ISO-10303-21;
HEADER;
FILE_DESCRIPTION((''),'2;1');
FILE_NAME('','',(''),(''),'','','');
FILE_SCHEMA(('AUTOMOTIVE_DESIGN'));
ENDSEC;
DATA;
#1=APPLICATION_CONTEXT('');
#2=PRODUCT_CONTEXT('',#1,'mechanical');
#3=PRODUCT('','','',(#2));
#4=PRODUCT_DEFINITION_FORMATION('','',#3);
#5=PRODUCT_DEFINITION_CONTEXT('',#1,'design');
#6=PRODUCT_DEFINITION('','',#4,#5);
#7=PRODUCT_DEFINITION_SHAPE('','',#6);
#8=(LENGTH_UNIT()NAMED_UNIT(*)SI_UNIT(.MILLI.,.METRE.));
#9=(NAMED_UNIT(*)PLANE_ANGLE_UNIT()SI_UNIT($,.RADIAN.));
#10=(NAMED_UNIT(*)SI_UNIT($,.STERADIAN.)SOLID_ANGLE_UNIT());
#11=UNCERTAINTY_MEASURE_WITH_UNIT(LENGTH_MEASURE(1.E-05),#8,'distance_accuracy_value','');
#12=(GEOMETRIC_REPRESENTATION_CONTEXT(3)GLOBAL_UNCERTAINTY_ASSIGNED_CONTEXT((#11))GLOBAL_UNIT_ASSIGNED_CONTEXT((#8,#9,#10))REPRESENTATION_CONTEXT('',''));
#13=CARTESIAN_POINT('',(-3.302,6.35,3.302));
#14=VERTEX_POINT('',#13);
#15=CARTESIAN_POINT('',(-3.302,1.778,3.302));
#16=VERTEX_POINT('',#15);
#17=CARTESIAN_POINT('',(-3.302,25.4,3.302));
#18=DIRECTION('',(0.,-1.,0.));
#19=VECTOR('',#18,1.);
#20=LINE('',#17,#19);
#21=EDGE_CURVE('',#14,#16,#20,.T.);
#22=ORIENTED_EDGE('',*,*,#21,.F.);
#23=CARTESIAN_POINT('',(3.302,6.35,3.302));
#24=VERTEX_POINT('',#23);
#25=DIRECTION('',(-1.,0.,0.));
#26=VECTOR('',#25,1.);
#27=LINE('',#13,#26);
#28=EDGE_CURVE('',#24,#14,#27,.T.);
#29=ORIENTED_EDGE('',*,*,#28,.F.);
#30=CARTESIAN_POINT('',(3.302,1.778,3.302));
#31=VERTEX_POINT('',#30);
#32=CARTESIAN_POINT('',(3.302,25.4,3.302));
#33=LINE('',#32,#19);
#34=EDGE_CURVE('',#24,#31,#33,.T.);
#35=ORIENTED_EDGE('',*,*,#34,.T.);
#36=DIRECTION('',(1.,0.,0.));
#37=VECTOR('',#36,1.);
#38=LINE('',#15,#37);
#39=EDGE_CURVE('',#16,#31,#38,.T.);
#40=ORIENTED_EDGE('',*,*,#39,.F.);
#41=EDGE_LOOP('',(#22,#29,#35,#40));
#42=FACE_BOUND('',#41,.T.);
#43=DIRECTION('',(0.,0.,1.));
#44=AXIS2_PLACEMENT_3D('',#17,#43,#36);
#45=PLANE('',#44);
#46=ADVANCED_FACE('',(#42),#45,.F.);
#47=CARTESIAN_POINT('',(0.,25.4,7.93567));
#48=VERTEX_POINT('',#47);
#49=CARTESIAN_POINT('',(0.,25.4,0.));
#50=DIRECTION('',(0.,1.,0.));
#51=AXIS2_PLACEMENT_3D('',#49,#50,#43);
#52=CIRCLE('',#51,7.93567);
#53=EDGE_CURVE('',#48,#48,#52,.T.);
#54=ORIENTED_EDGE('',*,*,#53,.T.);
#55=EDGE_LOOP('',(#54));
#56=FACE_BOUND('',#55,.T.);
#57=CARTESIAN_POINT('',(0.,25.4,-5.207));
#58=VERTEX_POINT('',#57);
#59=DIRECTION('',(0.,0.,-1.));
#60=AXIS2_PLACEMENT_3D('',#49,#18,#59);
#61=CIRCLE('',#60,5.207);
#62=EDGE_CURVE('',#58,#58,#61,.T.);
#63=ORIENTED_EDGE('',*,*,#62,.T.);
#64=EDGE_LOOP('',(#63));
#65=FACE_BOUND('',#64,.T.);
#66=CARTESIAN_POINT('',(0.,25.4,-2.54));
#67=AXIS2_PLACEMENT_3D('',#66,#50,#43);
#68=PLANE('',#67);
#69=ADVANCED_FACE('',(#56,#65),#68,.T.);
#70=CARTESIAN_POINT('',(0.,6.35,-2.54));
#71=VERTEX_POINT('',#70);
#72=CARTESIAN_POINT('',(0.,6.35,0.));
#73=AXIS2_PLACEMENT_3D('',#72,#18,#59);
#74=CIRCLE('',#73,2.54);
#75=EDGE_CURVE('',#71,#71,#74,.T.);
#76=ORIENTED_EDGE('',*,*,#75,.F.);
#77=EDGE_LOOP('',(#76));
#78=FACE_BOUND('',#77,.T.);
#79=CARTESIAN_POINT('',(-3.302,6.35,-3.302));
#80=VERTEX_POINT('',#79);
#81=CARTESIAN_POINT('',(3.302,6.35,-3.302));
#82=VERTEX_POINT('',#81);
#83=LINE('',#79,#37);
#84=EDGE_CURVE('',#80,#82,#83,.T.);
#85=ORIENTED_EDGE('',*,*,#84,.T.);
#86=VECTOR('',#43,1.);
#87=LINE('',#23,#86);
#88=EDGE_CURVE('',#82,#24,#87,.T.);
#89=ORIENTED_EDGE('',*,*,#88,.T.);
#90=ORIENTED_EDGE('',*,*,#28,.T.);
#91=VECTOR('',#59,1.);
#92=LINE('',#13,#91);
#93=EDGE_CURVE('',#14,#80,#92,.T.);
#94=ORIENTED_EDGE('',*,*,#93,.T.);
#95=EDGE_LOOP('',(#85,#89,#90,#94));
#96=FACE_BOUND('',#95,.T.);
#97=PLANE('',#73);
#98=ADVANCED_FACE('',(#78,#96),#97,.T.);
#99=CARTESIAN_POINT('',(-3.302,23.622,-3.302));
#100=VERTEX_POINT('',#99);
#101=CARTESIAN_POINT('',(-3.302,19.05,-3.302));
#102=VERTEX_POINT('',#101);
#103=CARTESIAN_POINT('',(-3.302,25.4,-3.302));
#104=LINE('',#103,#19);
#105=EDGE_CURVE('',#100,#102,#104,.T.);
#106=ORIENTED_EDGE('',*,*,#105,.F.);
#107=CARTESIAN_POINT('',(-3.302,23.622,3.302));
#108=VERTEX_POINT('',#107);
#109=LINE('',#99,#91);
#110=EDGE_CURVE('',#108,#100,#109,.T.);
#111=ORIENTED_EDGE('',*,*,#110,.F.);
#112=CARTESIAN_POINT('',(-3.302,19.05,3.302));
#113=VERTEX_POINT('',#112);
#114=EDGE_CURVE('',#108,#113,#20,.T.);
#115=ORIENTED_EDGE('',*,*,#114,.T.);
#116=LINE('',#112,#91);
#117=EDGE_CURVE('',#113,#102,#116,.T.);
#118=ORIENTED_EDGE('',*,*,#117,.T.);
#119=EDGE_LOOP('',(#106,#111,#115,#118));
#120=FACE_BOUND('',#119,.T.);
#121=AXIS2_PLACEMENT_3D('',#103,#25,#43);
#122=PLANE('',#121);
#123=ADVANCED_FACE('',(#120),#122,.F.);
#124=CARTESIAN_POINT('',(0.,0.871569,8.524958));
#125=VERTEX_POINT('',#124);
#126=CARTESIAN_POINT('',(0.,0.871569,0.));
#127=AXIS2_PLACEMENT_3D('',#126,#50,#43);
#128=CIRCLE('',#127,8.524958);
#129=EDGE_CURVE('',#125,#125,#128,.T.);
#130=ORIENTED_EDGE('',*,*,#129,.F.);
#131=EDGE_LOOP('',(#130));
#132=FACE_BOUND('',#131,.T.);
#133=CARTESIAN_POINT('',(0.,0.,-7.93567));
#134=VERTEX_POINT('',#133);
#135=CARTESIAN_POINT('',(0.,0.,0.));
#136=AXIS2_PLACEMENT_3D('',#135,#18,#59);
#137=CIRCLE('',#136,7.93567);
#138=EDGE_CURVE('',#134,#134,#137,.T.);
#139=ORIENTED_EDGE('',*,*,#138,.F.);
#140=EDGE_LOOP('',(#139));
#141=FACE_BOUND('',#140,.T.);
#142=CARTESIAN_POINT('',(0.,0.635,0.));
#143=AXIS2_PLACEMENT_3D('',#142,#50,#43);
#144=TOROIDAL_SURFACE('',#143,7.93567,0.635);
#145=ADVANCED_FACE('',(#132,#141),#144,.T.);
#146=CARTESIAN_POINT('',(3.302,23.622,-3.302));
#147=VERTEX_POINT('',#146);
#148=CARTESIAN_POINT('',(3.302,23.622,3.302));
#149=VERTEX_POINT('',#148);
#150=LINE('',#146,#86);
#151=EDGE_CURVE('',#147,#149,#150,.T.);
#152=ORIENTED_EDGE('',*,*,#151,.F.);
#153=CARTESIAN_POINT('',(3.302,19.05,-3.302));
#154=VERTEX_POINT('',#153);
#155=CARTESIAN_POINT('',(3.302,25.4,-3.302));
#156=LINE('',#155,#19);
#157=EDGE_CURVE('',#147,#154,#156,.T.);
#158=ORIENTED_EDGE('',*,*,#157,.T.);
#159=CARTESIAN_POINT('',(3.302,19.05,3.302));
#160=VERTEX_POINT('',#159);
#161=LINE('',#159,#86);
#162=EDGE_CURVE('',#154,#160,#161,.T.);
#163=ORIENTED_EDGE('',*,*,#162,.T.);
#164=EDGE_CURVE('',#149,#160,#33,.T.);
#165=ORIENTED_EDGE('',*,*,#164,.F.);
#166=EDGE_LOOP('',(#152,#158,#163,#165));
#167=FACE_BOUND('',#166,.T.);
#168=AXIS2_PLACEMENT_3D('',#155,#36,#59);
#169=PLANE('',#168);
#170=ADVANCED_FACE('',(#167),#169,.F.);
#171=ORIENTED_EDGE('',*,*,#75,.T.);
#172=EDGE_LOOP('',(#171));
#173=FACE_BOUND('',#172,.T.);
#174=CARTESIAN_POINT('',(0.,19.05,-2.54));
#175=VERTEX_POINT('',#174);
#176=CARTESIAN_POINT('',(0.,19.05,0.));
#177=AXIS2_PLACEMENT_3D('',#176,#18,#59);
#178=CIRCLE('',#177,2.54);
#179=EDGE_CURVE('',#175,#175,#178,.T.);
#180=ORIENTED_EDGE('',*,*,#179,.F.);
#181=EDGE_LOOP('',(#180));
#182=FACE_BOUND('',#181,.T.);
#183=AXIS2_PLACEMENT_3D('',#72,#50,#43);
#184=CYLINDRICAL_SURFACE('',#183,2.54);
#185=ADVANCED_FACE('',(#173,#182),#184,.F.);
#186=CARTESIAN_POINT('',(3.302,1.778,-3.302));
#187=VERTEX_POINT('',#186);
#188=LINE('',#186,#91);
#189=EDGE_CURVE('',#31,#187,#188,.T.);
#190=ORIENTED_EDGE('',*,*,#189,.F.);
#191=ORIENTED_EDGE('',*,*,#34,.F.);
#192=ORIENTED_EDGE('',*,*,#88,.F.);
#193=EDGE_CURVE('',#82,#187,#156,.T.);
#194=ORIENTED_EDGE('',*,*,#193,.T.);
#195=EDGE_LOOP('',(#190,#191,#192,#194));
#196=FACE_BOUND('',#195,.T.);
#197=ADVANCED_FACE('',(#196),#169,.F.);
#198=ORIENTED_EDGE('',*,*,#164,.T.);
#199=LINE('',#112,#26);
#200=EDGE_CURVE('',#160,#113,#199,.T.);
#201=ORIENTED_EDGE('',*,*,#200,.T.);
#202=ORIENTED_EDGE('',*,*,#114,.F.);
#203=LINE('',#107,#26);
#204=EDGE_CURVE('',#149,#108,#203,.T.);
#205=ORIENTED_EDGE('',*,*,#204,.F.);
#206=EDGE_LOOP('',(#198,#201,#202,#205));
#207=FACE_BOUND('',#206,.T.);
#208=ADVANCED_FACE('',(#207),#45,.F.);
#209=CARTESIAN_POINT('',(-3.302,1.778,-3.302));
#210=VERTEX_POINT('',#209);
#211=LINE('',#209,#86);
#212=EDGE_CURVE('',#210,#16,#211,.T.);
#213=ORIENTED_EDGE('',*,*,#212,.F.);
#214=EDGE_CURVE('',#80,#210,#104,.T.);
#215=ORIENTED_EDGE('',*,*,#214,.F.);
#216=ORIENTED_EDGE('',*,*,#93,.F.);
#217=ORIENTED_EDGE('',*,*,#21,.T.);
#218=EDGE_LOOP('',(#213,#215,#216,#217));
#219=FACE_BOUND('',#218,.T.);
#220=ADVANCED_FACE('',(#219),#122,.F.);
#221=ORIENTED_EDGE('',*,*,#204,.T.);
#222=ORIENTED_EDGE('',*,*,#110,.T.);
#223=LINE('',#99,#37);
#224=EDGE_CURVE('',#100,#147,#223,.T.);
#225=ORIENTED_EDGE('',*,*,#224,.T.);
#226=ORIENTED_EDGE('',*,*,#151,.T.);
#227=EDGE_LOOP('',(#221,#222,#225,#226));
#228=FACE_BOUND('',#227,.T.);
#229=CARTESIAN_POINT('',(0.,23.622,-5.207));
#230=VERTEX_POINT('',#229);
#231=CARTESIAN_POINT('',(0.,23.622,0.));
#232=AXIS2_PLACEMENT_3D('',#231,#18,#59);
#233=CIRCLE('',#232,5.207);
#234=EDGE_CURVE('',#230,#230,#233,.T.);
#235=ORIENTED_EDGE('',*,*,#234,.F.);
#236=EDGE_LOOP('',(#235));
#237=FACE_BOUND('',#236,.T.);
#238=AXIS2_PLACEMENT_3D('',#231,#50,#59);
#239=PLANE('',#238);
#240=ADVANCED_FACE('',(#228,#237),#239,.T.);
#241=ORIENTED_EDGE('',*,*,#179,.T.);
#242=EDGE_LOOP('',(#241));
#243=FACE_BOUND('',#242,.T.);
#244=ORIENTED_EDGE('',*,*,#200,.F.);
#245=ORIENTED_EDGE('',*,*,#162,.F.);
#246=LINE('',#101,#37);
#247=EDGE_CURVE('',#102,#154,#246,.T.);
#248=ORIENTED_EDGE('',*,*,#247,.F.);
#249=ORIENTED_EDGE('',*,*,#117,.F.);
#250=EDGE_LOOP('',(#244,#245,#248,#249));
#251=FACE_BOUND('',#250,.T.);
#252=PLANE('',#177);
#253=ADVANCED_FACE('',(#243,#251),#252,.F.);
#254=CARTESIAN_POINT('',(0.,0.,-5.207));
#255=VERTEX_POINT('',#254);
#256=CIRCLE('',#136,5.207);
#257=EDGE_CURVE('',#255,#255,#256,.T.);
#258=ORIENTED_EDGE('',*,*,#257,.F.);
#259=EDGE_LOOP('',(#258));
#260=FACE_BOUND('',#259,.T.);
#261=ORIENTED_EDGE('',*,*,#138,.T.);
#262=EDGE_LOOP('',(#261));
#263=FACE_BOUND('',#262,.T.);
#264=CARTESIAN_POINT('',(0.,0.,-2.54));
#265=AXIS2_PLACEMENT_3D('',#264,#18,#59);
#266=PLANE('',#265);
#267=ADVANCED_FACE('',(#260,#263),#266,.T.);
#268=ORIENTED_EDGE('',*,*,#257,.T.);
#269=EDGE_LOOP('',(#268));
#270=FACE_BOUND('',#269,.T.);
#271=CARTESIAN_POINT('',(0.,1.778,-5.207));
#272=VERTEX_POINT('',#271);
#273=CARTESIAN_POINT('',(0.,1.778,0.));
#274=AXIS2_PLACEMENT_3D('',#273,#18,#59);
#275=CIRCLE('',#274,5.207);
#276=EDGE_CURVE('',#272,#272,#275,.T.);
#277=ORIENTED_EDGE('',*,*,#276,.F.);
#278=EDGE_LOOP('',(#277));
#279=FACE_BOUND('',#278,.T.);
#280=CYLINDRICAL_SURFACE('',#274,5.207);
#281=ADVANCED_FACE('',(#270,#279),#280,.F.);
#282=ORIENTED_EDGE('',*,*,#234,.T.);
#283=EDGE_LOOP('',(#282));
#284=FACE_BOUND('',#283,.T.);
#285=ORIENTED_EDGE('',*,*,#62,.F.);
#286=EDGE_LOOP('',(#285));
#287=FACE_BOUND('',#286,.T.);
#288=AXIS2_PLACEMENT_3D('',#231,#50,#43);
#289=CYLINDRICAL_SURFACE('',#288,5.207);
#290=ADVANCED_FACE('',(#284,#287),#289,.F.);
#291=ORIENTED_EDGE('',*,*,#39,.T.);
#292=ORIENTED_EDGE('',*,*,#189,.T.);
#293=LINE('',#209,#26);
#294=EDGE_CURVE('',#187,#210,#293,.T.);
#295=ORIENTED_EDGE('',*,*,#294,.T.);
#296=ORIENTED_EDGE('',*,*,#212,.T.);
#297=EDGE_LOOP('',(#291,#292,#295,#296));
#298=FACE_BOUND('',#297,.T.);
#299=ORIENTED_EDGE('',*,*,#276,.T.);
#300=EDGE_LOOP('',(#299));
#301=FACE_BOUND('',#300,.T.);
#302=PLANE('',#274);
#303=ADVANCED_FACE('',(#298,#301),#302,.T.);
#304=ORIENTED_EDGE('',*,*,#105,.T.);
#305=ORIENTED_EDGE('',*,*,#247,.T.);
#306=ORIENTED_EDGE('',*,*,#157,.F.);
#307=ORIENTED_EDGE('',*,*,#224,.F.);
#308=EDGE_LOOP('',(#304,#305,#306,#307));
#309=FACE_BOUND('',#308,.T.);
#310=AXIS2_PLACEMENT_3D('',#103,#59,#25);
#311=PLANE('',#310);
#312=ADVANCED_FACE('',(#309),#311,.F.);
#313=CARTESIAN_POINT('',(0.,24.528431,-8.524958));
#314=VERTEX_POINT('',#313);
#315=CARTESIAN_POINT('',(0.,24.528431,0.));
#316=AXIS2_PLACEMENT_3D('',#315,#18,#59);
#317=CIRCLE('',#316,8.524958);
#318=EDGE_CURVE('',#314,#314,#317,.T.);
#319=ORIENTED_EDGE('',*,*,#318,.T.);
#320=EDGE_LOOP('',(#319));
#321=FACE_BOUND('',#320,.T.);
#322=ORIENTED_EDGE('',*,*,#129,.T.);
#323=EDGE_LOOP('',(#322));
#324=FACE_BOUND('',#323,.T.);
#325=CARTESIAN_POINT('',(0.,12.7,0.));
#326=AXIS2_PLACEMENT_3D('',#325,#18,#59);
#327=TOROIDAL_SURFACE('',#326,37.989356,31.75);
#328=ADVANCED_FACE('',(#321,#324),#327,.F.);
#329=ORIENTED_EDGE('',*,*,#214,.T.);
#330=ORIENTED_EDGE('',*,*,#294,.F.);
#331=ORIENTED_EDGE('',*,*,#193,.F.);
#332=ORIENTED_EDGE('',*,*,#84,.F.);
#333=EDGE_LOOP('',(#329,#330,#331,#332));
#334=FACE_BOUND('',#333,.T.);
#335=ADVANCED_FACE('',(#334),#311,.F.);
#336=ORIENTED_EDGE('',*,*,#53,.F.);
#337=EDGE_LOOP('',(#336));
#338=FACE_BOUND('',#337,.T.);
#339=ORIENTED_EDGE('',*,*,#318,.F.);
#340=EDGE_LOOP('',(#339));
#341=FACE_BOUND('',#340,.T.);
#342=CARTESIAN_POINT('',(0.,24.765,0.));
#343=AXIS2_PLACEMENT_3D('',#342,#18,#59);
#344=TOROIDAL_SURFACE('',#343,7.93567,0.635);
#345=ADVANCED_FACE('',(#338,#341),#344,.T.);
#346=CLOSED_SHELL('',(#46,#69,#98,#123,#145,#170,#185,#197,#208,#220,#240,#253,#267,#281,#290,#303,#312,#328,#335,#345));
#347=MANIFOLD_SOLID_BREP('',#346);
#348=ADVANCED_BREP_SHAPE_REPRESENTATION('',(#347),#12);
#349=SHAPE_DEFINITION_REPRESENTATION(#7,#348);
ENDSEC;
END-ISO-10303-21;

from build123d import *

# Parameters (mm, degrees)
SKETCH2_W           = 6.604
SKETCH2_H           = 6.604
CUT_EXTRUDE1_DEPTH  = 29.341210278
SKETCH3_R           = 5.207
CUT_EXTRUDE2_DEPTH  = 1.778
FILLET1_R           = 0.635
SKETCH4_W           = 6.604
SKETCH4_H           = 6.604
SKETCH4_R           = 2.54
BOSS_EXTRUDE1_DEPTH = 6.35


with BuildPart() as part:
    # Sketch1 → Revolve1 (revolve)
    with BuildSketch(Plane(origin=(0, 0, 0), x_dir=(0, 0, -1), z_dir=(1, 0, 0))):
        with BuildLine():
            Line((2.54, 0), (2.54, 25.4))
            Line((2.54, 25.4), (8.89, 25.4))
            ThreePointArc((8.89, 25.4), (6.239355663, 12.7), (8.89, 0))
            Line((8.89, 0), (2.54, 0))
        make_face()
    revolve(axis=Axis((0, 0, 0), (0, 1, 0)))

    # Sketch2 → Cut-Extrude1 (cut, through all)
    with BuildSketch(Plane.XZ):
        Rectangle(SKETCH2_W, SKETCH2_H)
    extrude(amount=-CUT_EXTRUDE1_DEPTH, mode=Mode.SUBTRACT)

    # Sketch3 → Cut-Extrude2 (cut)
    with BuildSketch(Plane.XZ):
        with Locations(Location((0, 0, 0), (0, 0, 270))):
            Circle(SKETCH3_R)
    cut_extrude2 = extrude(amount=-CUT_EXTRUDE2_DEPTH, mode=Mode.SUBTRACT)

    # Fillet1
    fillet1_edges = [part.edges().sort_by_distance(p)[0] for p in [
        (0, 25.4, 8.89),
        (0, 0, 8.89),
    ]]
    fillet(fillet1_edges, radius=FILLET1_R)

    # Mirror1: Cut-Extrude2 across plane
    add(cut_extrude2.mirror(Plane(origin=(0, 12.7, 0), x_dir=(0, 0, 1), z_dir=(0, -1, 0))), mode=Mode.SUBTRACT)

    # Sketch4 → Boss-Extrude1 (add, symmetric)
    with BuildSketch(Plane(origin=(0, 12.7, 0), x_dir=(-1, 0, 0), z_dir=(0, -1, 0))):
        Rectangle(SKETCH4_W, SKETCH4_H)
        with Locations(Location((0, 0, 0), (0, 0, 90))):
            Circle(SKETCH4_R, mode=Mode.SUBTRACT)
    extrude(amount=BOSS_EXTRUDE1_DEPTH, both=True)


solid = part.part
